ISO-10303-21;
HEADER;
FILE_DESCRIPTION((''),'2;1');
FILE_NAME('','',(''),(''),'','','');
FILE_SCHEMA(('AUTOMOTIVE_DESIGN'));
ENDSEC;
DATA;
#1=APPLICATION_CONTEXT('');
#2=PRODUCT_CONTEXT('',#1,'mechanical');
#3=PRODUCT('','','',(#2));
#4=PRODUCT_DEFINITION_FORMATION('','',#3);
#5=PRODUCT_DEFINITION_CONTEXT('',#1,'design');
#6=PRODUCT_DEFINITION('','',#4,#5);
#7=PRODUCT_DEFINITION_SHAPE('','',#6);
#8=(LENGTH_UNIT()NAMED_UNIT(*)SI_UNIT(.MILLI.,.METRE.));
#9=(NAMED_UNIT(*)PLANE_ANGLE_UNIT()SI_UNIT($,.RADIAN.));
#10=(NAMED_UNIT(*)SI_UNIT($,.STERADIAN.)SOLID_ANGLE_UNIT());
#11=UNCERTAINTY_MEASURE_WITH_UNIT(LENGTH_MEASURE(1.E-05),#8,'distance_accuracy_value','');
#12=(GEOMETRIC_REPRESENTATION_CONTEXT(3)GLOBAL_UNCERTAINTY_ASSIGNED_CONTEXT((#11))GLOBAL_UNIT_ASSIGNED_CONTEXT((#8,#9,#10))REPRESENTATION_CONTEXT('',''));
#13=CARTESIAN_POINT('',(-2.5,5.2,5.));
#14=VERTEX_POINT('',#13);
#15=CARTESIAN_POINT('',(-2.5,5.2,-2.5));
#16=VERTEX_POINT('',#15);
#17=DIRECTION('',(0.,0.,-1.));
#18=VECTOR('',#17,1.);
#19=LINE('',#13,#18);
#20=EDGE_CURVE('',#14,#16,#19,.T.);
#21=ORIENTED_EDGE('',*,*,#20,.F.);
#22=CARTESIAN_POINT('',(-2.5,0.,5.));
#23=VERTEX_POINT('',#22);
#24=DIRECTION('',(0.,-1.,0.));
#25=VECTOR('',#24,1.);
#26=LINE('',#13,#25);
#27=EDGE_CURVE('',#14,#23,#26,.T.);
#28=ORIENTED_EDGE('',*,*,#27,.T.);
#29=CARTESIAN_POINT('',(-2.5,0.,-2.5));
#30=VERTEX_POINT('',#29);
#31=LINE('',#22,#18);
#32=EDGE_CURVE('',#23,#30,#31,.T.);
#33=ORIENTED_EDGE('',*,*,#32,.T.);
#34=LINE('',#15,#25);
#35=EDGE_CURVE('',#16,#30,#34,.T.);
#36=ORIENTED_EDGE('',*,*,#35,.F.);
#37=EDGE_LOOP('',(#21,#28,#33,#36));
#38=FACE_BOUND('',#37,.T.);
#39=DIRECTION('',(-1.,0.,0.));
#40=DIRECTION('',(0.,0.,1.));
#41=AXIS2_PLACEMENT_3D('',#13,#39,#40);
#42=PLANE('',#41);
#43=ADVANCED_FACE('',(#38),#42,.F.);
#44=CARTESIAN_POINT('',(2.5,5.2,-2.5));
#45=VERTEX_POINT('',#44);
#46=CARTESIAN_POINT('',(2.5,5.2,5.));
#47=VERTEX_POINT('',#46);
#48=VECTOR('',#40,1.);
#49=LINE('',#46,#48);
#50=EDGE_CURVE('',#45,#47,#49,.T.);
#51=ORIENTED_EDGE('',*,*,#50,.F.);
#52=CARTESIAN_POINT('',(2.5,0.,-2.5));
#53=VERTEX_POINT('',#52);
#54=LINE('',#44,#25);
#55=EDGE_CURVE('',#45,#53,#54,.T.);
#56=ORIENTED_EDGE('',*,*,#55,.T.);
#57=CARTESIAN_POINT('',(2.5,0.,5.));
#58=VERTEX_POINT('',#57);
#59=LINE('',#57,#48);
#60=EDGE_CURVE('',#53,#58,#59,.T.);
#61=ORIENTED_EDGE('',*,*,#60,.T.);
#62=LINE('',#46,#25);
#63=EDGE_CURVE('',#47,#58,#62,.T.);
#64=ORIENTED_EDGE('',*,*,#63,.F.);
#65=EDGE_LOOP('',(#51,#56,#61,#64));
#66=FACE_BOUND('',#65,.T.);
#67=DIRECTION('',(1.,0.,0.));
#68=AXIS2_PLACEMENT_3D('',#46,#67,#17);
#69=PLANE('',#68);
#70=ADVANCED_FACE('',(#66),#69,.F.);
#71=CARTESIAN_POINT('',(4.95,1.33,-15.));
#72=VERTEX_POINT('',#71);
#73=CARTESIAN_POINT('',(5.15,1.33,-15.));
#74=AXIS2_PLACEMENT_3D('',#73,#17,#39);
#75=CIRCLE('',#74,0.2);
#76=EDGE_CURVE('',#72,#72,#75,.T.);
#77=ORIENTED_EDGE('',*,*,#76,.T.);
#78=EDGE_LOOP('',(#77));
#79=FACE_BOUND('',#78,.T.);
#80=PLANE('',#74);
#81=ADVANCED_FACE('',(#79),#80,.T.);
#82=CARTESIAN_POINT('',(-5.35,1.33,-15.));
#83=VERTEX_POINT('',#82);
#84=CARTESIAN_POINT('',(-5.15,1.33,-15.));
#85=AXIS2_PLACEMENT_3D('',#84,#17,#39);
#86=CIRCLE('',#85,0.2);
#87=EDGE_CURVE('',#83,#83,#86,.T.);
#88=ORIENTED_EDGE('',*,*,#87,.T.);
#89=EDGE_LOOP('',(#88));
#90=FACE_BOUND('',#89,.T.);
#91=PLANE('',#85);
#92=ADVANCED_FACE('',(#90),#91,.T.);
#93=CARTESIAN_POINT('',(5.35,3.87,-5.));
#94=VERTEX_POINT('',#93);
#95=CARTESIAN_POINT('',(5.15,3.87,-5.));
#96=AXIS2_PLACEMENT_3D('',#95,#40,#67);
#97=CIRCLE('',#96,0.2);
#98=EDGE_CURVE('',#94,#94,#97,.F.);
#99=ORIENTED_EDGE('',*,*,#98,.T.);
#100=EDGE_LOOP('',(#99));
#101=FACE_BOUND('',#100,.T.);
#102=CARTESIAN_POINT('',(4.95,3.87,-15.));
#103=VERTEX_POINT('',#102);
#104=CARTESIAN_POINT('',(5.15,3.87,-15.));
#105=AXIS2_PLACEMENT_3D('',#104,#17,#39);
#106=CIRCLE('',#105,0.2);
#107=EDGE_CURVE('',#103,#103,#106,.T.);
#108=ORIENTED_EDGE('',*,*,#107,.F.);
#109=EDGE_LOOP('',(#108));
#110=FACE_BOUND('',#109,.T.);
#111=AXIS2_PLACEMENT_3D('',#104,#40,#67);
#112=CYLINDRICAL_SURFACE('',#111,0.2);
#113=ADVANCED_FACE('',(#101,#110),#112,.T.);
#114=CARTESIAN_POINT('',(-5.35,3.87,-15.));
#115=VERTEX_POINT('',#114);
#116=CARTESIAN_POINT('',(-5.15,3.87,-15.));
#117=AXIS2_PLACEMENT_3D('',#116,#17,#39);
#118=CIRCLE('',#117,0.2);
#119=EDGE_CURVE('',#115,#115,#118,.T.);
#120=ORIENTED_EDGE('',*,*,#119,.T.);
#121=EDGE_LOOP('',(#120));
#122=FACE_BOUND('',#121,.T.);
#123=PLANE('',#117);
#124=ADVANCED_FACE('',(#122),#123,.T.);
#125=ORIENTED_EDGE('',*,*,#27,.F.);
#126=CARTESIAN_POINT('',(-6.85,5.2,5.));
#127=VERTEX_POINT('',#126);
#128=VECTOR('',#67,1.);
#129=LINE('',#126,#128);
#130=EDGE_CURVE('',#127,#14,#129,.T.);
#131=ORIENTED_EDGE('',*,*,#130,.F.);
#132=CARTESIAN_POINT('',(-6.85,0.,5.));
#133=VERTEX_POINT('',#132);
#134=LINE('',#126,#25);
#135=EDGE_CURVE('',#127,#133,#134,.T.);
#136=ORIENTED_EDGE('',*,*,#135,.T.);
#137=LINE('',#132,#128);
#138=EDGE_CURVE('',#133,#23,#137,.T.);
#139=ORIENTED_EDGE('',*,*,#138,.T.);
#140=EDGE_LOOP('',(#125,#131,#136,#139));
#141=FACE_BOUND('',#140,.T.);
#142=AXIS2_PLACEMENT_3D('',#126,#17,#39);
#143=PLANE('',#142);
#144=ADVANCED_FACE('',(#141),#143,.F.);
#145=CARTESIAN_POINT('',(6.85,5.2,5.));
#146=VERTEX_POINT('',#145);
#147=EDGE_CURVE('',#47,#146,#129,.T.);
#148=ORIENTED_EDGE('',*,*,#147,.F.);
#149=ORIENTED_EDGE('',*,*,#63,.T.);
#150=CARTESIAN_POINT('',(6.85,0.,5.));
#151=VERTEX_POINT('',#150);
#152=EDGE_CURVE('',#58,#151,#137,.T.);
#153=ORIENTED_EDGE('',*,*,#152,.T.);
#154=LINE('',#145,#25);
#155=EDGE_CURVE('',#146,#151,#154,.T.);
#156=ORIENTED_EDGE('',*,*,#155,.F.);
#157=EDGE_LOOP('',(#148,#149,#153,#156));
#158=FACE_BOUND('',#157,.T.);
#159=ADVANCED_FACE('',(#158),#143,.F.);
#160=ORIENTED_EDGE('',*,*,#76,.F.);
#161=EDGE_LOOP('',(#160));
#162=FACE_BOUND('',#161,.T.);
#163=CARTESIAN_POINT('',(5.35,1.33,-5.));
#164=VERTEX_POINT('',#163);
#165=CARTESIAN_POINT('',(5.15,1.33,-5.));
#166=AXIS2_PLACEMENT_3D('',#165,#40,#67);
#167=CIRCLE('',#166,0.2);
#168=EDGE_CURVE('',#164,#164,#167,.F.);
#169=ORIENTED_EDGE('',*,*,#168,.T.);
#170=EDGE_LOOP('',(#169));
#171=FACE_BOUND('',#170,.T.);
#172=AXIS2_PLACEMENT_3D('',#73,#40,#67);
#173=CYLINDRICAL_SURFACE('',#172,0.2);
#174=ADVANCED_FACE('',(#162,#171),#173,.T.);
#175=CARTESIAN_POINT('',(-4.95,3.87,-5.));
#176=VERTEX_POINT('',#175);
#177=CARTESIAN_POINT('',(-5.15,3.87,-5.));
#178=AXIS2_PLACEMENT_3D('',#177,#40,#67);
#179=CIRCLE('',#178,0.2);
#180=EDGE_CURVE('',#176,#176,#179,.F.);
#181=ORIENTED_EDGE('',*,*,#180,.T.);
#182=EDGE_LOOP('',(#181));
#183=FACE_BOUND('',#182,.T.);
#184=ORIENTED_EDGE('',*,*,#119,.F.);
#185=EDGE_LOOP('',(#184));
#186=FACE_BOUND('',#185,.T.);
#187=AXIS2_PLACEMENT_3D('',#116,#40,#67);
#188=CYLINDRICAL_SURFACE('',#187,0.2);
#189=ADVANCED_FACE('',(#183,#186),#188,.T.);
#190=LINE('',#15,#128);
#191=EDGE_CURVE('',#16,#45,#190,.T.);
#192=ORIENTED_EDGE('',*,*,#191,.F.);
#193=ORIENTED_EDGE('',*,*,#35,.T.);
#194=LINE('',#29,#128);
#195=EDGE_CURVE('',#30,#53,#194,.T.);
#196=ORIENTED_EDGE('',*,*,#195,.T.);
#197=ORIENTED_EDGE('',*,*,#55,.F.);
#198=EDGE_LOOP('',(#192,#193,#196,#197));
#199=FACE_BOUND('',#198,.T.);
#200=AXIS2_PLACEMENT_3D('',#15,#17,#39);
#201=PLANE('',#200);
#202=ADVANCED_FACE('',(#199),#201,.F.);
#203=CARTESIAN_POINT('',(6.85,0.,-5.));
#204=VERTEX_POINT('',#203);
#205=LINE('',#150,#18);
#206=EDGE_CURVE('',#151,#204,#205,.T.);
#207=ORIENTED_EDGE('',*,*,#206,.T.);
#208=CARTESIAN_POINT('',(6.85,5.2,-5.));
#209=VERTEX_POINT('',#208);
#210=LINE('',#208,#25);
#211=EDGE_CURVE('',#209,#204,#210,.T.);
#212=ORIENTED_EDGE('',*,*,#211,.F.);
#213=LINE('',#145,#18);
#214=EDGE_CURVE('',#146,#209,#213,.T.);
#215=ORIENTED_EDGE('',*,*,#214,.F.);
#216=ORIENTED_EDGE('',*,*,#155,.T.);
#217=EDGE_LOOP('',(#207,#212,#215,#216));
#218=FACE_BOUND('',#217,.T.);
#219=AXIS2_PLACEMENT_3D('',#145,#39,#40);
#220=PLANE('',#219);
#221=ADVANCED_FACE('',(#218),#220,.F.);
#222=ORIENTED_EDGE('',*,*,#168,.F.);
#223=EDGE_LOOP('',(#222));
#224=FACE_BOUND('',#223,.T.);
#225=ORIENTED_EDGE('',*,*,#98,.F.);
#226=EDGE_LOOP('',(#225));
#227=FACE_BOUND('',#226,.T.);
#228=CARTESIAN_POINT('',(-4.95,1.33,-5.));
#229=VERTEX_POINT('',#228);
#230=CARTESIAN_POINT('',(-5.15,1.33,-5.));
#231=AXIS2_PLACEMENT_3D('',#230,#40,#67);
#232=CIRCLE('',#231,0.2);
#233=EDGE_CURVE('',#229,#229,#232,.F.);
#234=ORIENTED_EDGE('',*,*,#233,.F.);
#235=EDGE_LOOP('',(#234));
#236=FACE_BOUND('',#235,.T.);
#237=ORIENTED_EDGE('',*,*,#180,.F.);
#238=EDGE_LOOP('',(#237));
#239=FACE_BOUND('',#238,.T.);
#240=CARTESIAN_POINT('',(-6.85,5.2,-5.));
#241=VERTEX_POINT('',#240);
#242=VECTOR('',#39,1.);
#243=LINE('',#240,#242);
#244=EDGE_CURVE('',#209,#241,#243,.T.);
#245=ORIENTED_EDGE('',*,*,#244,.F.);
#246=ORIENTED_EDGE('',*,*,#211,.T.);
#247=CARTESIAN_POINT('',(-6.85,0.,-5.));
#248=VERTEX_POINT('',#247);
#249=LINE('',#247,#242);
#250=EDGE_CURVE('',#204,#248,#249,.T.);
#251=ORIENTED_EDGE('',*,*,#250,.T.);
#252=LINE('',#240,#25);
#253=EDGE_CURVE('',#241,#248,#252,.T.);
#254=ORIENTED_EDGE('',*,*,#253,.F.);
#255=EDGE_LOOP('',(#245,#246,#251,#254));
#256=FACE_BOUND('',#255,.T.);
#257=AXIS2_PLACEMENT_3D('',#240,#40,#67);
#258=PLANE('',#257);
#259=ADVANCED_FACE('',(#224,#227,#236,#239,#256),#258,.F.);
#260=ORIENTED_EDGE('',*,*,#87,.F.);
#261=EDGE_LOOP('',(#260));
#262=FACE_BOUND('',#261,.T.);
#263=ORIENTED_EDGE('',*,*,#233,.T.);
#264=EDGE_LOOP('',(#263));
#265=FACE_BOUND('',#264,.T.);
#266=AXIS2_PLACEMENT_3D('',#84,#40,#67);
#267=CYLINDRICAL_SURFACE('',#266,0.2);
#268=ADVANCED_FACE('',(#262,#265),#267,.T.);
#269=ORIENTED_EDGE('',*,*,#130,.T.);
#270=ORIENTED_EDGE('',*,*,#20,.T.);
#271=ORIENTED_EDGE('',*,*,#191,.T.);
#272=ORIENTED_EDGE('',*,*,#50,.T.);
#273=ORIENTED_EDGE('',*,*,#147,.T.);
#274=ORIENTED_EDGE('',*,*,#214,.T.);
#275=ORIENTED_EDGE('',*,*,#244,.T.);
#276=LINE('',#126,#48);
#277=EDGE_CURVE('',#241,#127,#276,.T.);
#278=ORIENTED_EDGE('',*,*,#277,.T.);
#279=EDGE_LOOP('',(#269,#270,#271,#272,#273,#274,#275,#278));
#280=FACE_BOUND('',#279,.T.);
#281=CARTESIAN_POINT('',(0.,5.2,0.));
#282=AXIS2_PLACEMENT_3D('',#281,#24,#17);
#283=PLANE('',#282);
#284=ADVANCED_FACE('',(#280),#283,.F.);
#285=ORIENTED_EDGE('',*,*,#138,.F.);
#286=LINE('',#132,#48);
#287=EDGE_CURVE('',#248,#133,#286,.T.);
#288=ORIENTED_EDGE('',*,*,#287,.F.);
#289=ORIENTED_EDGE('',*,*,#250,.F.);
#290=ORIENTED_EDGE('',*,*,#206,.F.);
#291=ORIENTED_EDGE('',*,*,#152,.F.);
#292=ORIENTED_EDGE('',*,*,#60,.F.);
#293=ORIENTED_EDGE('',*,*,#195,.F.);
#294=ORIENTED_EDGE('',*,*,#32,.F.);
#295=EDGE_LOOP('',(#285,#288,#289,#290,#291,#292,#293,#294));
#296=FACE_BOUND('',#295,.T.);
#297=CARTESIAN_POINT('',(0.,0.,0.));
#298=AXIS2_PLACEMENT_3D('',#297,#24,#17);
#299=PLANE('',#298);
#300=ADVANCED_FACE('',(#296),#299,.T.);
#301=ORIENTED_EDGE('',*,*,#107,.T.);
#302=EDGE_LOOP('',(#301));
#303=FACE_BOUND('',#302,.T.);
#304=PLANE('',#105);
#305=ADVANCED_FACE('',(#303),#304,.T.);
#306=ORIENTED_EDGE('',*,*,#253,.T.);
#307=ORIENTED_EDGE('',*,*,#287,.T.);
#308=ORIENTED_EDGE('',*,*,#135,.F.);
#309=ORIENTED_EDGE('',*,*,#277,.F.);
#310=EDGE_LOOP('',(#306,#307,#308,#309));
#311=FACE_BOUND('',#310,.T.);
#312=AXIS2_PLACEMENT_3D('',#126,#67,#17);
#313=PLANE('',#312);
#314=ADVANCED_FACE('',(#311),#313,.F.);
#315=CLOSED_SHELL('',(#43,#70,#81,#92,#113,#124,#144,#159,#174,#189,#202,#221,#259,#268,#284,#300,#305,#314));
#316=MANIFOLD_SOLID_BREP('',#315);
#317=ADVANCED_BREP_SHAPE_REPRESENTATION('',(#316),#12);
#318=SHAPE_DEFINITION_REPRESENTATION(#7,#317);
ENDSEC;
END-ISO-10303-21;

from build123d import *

# Parameters (mm, degrees)
SKETCH1_W           = 13.7
SKETCH1_H           = 10
BOSS_EXTRUDE1_DEPTH = 5.2
SKETCH2_W           = 5
SKETCH2_H           = 7.5
CUT_EXTRUDE1_DEPTH  = 10.947989747
SKETCH3_R           = 0.2
BOSS_EXTRUDE2_DEPTH = 10


with BuildPart() as part:
    # Sketch1 → Boss-Extrude1 (new body)
    with BuildSketch(Plane(origin=(0, 0, 0), x_dir=(1, 0, 0), z_dir=(0, 1, 0))):
        Rectangle(SKETCH1_W, SKETCH1_H)
    extrude(amount=BOSS_EXTRUDE1_DEPTH)

    # Sketch2 → Cut-Extrude1 (cut, through all)
    with BuildSketch(Plane.XZ):
        with Locations((0, 1.25)):
            Rectangle(SKETCH2_W, SKETCH2_H)
    extrude(amount=-CUT_EXTRUDE1_DEPTH, mode=Mode.SUBTRACT)

    # Sketch3 → Boss-Extrude2 (add)
    with BuildSketch(Plane(origin=(0, 0, -5), x_dir=(-1, 0, 0), z_dir=(0, 0, -1))):
        with Locations(Location((-5.15, 3.87, 0), (0, 0, 180))):
            Circle(SKETCH3_R)
        with Locations(Location((-5.15, 1.33, 0), (0, 0, 180))):
            Circle(SKETCH3_R)
        with Locations(Location((5.15, 3.87, 0), (0, 0, 180))):
            Circle(SKETCH3_R)
        with Locations(Location((5.15, 1.33, 0), (0, 0, 180))):
            Circle(SKETCH3_R)
    extrude(amount=BOSS_EXTRUDE2_DEPTH)


solid = part.part
